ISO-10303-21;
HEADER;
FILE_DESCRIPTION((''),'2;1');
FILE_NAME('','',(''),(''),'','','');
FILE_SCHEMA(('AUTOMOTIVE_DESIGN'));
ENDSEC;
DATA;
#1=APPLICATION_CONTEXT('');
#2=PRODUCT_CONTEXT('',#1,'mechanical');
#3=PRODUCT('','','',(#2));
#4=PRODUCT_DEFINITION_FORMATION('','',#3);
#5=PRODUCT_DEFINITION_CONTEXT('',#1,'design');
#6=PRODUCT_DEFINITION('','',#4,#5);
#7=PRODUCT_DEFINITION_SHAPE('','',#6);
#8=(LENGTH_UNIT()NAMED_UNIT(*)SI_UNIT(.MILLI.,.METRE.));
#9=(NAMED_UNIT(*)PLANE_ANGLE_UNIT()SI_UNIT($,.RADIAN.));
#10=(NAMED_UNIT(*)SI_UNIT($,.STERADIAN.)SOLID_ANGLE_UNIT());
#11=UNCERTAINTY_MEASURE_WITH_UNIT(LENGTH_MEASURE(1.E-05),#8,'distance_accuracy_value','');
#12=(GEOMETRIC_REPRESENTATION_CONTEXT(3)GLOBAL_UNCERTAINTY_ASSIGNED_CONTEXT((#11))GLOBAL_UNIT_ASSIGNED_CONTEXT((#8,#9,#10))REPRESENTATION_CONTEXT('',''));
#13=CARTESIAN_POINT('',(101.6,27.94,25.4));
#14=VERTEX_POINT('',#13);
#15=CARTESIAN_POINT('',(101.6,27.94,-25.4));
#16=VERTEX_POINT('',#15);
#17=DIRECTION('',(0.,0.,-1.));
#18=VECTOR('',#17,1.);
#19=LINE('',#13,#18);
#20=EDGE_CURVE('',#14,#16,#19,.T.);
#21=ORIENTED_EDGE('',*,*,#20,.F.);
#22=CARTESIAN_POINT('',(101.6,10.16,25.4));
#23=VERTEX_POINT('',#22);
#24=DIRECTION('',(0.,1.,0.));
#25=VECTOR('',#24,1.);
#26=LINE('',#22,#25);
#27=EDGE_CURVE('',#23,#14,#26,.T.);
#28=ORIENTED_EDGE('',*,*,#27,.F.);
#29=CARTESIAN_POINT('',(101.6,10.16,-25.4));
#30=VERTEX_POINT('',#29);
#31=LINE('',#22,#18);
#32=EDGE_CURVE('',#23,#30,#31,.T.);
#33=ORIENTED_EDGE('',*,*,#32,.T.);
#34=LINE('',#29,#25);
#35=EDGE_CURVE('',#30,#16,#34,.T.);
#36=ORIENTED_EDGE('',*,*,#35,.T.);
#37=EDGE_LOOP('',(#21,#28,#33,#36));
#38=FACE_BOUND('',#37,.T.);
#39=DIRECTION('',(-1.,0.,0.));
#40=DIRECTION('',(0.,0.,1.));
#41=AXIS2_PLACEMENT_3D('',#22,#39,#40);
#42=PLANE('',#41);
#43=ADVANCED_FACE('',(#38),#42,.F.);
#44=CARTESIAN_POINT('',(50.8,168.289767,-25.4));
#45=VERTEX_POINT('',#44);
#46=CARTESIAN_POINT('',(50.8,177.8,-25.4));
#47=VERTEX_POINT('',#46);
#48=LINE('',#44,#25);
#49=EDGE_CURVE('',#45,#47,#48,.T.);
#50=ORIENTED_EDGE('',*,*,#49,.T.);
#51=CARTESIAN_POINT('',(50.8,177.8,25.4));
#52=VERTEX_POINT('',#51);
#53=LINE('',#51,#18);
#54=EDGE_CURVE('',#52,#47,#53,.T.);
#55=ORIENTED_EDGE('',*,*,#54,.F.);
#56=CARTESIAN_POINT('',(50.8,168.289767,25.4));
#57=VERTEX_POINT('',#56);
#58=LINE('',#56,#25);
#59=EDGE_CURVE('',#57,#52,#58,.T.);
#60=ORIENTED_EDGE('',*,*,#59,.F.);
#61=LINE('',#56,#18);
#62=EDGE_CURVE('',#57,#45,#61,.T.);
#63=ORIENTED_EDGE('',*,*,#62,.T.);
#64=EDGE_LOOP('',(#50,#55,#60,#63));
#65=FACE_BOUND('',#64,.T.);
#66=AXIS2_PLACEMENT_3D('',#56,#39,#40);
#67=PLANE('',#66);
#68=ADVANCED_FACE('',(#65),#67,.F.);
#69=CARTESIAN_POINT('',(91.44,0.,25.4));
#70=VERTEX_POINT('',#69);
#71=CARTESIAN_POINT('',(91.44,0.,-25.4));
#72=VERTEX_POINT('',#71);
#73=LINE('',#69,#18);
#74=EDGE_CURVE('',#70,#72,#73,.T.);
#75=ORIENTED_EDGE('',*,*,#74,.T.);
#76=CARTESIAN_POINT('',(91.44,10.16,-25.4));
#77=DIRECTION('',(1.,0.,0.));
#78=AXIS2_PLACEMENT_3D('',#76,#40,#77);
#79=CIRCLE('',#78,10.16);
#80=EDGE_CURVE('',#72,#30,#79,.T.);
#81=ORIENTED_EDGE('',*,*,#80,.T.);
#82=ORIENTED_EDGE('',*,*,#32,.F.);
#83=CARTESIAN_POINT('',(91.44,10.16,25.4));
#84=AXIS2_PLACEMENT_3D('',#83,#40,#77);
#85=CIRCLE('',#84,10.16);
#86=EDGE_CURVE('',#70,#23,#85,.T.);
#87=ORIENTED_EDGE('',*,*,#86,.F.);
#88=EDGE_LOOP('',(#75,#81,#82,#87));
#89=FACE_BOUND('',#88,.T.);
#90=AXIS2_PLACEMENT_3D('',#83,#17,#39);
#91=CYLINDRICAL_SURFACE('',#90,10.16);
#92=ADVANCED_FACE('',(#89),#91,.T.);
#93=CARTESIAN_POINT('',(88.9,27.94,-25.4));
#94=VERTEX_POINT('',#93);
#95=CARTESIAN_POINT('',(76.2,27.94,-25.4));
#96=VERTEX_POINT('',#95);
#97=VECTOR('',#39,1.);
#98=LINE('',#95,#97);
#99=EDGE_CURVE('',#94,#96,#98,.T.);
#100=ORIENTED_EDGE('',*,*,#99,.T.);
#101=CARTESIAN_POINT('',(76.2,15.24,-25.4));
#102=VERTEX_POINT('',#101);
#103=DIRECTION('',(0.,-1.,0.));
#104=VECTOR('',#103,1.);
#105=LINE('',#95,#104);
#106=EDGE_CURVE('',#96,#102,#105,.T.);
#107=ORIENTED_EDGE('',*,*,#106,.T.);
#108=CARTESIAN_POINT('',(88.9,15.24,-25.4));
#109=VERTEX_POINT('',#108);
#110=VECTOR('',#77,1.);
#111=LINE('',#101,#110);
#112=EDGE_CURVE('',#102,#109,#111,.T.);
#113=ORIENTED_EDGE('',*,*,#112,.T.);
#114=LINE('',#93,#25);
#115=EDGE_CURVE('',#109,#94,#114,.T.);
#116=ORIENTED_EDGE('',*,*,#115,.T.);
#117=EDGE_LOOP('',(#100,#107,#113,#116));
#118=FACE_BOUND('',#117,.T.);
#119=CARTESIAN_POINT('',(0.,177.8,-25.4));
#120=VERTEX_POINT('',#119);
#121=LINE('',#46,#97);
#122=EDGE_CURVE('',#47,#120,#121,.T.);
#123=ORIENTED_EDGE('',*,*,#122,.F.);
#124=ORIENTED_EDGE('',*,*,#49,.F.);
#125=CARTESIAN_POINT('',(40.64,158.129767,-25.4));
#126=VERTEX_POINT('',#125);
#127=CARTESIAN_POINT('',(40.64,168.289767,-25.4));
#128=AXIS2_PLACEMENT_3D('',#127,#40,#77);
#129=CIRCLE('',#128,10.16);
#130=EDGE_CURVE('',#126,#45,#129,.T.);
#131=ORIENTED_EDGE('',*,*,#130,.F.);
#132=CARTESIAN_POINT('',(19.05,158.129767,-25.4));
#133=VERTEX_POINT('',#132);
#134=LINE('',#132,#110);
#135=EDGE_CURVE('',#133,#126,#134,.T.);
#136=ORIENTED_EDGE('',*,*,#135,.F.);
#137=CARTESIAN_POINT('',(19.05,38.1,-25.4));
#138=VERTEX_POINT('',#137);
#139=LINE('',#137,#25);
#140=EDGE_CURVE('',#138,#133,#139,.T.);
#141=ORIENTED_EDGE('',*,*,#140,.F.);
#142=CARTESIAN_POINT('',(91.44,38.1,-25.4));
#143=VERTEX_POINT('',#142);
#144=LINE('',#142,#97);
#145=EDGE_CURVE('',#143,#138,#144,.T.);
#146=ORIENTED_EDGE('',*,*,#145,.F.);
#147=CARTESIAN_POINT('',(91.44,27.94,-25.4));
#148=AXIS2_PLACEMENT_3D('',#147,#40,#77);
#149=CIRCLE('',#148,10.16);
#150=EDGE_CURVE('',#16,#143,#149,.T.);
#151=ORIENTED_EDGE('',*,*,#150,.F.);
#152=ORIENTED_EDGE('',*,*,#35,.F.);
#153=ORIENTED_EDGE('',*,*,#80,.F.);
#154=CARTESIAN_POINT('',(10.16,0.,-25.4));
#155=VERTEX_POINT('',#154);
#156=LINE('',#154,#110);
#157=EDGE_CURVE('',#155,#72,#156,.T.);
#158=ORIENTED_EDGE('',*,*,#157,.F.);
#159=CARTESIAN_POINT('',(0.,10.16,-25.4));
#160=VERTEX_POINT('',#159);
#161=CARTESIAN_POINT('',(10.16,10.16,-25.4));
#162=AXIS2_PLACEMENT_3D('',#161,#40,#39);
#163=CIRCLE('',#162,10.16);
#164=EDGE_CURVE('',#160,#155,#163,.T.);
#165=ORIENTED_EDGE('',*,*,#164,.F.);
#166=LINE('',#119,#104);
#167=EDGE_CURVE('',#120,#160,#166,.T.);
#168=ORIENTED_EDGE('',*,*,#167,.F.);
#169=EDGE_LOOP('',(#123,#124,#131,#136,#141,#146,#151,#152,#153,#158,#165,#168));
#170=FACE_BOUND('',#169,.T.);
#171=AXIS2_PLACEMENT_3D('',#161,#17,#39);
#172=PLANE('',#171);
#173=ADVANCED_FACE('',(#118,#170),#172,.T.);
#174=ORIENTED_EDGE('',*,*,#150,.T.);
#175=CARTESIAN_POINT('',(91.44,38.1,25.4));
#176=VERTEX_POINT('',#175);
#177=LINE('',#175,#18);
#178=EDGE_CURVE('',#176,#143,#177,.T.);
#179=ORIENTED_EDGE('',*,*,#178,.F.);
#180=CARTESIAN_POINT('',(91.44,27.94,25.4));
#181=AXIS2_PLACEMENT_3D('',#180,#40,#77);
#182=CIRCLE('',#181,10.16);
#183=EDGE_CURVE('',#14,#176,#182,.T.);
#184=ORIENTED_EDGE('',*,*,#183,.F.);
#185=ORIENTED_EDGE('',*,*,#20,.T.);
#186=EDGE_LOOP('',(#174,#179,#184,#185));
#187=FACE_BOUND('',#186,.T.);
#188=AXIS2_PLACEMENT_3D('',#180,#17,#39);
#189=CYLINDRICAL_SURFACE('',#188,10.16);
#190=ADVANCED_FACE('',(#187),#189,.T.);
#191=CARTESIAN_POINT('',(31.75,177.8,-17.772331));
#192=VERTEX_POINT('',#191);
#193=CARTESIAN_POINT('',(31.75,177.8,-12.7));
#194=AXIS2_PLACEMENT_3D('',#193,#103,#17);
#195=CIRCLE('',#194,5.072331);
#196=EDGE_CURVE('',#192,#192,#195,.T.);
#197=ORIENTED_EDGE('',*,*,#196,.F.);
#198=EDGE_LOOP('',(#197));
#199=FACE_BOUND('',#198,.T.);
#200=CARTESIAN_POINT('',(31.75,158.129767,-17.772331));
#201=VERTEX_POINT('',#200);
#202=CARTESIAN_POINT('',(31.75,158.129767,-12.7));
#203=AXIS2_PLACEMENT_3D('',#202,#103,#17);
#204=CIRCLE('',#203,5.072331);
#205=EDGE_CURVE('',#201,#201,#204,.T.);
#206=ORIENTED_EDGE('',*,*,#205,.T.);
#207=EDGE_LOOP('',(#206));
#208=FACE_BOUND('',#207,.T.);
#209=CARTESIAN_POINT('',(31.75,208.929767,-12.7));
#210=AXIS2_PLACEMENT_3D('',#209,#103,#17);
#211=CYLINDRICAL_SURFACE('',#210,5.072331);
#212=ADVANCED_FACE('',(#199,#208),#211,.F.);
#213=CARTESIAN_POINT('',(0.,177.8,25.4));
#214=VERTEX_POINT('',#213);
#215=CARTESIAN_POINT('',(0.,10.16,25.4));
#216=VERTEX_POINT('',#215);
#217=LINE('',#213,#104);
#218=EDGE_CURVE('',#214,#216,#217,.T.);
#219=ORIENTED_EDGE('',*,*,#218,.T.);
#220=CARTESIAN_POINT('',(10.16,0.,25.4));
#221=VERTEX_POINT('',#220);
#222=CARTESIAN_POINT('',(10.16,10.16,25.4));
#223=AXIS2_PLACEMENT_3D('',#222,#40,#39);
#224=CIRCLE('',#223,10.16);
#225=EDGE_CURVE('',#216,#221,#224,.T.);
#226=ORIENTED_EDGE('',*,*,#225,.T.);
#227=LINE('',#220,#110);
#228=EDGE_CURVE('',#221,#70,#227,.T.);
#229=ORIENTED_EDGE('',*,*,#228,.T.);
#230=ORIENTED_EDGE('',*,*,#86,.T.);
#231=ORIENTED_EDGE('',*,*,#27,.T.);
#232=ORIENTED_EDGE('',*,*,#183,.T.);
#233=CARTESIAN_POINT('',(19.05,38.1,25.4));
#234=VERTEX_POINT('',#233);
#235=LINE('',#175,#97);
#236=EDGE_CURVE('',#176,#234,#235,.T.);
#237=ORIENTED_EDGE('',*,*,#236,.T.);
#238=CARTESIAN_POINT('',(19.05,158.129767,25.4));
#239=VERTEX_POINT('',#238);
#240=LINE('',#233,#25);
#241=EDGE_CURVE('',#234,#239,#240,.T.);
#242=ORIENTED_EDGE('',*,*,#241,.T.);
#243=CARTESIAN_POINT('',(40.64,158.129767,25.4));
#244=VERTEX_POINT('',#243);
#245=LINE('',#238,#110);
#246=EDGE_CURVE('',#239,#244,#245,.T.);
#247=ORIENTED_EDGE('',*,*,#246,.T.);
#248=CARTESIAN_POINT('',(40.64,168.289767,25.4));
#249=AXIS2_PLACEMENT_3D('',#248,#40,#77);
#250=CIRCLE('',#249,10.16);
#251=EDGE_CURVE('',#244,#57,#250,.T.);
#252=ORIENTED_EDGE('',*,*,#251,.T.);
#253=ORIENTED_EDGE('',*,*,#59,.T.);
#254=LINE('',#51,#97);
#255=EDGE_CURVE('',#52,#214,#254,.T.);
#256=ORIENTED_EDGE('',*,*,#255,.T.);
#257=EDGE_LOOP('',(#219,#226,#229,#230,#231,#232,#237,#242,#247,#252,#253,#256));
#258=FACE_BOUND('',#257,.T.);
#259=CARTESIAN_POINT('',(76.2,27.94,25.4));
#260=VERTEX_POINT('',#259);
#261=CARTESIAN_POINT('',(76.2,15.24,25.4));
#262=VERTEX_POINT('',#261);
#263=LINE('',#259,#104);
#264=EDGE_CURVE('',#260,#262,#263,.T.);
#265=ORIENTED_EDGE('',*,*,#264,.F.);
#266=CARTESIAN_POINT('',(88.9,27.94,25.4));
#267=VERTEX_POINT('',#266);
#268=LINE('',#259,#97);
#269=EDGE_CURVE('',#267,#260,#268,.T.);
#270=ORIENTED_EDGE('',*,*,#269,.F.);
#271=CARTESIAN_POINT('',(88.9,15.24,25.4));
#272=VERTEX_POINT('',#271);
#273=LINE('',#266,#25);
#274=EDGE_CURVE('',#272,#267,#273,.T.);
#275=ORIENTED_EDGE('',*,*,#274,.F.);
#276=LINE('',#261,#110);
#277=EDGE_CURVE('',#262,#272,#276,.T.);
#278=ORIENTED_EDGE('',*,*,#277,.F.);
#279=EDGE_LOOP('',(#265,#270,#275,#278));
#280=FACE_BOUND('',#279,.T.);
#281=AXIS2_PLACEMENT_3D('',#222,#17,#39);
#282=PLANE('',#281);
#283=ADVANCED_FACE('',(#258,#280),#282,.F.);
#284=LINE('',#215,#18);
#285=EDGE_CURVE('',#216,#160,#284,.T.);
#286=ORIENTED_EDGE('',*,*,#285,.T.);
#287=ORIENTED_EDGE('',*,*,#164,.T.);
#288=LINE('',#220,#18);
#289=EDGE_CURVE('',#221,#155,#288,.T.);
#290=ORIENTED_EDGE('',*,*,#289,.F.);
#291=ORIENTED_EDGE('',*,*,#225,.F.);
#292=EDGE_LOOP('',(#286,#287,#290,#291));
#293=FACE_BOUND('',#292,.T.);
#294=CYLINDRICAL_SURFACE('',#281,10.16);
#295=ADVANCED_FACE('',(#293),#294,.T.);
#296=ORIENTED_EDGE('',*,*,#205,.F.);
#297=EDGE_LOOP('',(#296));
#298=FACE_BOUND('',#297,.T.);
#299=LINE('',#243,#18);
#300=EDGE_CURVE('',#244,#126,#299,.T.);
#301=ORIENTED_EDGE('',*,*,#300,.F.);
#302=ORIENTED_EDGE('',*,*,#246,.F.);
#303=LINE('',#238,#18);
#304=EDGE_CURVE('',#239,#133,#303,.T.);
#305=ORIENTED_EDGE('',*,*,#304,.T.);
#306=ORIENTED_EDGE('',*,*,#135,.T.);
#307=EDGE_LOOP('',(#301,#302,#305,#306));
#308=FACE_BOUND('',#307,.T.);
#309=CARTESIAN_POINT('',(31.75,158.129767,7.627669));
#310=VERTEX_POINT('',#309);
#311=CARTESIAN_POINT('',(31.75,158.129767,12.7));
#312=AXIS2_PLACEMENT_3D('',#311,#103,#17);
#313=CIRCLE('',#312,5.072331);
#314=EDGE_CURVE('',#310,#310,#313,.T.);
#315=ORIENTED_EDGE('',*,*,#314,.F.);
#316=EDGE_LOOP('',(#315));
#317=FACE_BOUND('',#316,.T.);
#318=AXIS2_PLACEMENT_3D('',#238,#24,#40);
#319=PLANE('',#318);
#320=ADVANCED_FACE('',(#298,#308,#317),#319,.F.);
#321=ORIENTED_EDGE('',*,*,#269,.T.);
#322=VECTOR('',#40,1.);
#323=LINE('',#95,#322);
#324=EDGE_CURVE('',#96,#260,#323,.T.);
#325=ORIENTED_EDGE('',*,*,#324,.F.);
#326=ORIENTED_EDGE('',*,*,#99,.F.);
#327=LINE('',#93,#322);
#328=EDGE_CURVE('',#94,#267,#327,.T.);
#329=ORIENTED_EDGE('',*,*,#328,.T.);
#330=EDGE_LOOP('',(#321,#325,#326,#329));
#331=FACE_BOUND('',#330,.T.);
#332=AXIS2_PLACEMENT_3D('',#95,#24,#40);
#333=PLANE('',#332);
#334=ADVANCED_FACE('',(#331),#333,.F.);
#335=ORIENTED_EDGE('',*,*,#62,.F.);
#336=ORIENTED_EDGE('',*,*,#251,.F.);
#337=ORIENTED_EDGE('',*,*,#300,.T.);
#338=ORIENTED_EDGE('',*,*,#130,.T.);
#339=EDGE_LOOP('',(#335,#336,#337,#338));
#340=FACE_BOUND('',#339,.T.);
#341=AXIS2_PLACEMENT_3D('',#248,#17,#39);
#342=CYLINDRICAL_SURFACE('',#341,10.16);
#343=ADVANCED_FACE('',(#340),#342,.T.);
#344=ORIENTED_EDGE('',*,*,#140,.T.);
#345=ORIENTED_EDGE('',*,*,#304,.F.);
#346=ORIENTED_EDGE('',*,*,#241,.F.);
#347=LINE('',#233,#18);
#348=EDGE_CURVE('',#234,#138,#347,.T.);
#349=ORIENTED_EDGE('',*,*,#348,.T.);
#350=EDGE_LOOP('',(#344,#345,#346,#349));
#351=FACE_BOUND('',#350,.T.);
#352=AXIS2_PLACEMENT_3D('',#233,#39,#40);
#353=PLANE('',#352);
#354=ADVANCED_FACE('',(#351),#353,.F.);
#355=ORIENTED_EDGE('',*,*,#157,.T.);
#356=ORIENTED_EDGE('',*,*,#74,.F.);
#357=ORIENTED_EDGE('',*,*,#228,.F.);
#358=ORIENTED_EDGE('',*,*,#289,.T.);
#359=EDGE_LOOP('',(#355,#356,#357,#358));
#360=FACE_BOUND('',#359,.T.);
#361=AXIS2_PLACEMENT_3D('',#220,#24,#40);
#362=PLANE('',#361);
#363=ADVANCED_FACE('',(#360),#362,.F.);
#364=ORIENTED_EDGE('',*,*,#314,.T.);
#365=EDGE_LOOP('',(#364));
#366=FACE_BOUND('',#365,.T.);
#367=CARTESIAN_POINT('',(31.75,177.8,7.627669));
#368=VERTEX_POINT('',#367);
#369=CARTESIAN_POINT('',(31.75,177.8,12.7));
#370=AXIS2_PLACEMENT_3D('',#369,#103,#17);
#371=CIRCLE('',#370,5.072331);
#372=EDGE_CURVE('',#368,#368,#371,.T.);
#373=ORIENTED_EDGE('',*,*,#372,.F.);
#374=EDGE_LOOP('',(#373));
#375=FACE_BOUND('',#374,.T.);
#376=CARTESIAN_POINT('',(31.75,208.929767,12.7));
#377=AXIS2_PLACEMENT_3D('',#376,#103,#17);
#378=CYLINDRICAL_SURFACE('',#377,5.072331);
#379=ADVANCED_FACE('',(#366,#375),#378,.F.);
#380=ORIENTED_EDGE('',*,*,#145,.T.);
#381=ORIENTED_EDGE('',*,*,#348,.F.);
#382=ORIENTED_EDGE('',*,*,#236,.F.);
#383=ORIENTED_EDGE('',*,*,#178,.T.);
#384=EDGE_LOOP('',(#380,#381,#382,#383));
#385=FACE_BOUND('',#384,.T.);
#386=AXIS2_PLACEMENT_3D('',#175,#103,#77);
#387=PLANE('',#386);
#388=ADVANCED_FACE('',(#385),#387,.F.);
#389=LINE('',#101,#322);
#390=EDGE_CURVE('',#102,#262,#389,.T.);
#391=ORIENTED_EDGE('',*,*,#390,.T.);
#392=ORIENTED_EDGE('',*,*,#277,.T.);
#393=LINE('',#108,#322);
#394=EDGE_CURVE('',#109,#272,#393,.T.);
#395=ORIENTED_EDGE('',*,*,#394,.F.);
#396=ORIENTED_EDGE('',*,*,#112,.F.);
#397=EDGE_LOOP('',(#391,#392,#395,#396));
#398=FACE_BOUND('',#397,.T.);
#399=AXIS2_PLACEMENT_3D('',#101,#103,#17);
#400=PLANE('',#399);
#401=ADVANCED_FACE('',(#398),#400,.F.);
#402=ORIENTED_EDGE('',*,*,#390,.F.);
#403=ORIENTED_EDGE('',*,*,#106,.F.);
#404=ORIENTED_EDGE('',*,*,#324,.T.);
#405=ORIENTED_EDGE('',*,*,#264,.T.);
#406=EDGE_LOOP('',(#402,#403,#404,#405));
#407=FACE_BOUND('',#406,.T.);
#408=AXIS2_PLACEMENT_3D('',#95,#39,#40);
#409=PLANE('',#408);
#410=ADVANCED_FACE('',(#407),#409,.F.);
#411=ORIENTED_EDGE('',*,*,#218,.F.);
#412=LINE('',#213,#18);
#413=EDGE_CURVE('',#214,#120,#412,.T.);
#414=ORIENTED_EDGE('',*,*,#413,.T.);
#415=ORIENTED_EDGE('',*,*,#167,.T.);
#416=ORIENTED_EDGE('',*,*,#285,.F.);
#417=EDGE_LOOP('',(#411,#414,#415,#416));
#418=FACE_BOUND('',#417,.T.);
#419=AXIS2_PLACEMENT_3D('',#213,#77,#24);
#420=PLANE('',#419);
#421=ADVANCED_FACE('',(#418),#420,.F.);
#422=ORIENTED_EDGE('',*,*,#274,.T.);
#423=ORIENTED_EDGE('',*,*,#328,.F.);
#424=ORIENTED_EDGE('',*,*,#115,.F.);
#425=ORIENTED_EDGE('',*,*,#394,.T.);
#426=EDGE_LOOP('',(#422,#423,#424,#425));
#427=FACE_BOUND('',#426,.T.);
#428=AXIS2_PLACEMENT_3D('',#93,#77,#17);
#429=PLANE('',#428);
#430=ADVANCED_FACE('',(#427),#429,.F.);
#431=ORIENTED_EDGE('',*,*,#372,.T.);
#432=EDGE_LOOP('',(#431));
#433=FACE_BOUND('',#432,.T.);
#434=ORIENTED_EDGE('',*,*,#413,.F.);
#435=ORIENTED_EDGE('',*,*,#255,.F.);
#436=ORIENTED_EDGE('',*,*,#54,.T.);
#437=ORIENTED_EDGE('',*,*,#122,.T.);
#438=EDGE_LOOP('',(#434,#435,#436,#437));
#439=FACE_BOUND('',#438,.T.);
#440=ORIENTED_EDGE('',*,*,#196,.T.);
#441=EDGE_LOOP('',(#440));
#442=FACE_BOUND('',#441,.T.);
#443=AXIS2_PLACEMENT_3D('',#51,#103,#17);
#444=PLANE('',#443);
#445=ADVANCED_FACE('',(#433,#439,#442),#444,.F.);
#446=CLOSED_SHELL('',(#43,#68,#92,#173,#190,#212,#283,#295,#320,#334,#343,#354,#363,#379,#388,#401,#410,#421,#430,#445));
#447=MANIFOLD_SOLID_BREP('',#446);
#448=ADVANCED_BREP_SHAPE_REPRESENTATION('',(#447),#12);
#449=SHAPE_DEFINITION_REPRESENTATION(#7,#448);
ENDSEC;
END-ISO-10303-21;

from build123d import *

# Parameters (mm, degrees)
BOSS_EXTRUDE1_DEPTH = 25.4
SKETCH2_W           = 12.7
SKETCH2_H           = 12.7
CUT_EXTRUDE1_DEPTH  = 50.8
SKETCH3_R           = 5.072330543
CUT_EXTRUDE2_DEPTH  = 50.8


with BuildPart() as part:
    # Sketch1 → Boss-Extrude1 (new, symmetric)
    with BuildSketch(Plane.XY):
        with BuildLine():
            Line((10.16, 0), (91.44, 0))
            ThreePointArc((91.44, 0), (98.624204897, 2.975795103), (101.6, 10.16))
            Line((101.6, 10.16), (101.6, 27.94))
            ThreePointArc((101.6, 27.94), (98.624204897, 35.124204897), (91.44, 38.1))
            Line((91.44, 38.1), (19.05, 38.1))
            Line((19.05, 38.1), (19.05, 158.129767442))
            Line((19.05, 158.129767442), (40.64, 158.129767442))
            ThreePointArc((40.64, 158.129767442), (47.824204897, 161.105562545), (50.8, 168.289767442))
            Line((50.8, 168.289767442), (50.8, 177.8))
            Line((50.8, 177.8), (0, 177.8))
            Line((0, 177.8), (0, 10.16))
            ThreePointArc((0, 10.16), (2.975795103, 2.975795103), (10.16, 0))
        make_face()
    extrude(amount=BOSS_EXTRUDE1_DEPTH, both=True)

    # Sketch2 → Cut-Extrude1 (cut)
    with BuildSketch(Plane.XY.offset(25.4)):
        with Locations((82.55, 21.59)):
            Rectangle(SKETCH2_W, SKETCH2_H)
    extrude(amount=-CUT_EXTRUDE1_DEPTH, mode=Mode.SUBTRACT)

    # Sketch3 → Cut-Extrude2 (cut)
    with BuildSketch(Plane.XZ.offset(-158.129767442)):
        with Locations(Location((31.75, 12.7, 0), (0, 0, 270))):
            Circle(SKETCH3_R)
        with Locations(Location((31.75, -12.7, 0), (0, 0, 270))):
            Circle(SKETCH3_R)
    extrude(amount=-CUT_EXTRUDE2_DEPTH, mode=Mode.SUBTRACT)


solid = part.part
